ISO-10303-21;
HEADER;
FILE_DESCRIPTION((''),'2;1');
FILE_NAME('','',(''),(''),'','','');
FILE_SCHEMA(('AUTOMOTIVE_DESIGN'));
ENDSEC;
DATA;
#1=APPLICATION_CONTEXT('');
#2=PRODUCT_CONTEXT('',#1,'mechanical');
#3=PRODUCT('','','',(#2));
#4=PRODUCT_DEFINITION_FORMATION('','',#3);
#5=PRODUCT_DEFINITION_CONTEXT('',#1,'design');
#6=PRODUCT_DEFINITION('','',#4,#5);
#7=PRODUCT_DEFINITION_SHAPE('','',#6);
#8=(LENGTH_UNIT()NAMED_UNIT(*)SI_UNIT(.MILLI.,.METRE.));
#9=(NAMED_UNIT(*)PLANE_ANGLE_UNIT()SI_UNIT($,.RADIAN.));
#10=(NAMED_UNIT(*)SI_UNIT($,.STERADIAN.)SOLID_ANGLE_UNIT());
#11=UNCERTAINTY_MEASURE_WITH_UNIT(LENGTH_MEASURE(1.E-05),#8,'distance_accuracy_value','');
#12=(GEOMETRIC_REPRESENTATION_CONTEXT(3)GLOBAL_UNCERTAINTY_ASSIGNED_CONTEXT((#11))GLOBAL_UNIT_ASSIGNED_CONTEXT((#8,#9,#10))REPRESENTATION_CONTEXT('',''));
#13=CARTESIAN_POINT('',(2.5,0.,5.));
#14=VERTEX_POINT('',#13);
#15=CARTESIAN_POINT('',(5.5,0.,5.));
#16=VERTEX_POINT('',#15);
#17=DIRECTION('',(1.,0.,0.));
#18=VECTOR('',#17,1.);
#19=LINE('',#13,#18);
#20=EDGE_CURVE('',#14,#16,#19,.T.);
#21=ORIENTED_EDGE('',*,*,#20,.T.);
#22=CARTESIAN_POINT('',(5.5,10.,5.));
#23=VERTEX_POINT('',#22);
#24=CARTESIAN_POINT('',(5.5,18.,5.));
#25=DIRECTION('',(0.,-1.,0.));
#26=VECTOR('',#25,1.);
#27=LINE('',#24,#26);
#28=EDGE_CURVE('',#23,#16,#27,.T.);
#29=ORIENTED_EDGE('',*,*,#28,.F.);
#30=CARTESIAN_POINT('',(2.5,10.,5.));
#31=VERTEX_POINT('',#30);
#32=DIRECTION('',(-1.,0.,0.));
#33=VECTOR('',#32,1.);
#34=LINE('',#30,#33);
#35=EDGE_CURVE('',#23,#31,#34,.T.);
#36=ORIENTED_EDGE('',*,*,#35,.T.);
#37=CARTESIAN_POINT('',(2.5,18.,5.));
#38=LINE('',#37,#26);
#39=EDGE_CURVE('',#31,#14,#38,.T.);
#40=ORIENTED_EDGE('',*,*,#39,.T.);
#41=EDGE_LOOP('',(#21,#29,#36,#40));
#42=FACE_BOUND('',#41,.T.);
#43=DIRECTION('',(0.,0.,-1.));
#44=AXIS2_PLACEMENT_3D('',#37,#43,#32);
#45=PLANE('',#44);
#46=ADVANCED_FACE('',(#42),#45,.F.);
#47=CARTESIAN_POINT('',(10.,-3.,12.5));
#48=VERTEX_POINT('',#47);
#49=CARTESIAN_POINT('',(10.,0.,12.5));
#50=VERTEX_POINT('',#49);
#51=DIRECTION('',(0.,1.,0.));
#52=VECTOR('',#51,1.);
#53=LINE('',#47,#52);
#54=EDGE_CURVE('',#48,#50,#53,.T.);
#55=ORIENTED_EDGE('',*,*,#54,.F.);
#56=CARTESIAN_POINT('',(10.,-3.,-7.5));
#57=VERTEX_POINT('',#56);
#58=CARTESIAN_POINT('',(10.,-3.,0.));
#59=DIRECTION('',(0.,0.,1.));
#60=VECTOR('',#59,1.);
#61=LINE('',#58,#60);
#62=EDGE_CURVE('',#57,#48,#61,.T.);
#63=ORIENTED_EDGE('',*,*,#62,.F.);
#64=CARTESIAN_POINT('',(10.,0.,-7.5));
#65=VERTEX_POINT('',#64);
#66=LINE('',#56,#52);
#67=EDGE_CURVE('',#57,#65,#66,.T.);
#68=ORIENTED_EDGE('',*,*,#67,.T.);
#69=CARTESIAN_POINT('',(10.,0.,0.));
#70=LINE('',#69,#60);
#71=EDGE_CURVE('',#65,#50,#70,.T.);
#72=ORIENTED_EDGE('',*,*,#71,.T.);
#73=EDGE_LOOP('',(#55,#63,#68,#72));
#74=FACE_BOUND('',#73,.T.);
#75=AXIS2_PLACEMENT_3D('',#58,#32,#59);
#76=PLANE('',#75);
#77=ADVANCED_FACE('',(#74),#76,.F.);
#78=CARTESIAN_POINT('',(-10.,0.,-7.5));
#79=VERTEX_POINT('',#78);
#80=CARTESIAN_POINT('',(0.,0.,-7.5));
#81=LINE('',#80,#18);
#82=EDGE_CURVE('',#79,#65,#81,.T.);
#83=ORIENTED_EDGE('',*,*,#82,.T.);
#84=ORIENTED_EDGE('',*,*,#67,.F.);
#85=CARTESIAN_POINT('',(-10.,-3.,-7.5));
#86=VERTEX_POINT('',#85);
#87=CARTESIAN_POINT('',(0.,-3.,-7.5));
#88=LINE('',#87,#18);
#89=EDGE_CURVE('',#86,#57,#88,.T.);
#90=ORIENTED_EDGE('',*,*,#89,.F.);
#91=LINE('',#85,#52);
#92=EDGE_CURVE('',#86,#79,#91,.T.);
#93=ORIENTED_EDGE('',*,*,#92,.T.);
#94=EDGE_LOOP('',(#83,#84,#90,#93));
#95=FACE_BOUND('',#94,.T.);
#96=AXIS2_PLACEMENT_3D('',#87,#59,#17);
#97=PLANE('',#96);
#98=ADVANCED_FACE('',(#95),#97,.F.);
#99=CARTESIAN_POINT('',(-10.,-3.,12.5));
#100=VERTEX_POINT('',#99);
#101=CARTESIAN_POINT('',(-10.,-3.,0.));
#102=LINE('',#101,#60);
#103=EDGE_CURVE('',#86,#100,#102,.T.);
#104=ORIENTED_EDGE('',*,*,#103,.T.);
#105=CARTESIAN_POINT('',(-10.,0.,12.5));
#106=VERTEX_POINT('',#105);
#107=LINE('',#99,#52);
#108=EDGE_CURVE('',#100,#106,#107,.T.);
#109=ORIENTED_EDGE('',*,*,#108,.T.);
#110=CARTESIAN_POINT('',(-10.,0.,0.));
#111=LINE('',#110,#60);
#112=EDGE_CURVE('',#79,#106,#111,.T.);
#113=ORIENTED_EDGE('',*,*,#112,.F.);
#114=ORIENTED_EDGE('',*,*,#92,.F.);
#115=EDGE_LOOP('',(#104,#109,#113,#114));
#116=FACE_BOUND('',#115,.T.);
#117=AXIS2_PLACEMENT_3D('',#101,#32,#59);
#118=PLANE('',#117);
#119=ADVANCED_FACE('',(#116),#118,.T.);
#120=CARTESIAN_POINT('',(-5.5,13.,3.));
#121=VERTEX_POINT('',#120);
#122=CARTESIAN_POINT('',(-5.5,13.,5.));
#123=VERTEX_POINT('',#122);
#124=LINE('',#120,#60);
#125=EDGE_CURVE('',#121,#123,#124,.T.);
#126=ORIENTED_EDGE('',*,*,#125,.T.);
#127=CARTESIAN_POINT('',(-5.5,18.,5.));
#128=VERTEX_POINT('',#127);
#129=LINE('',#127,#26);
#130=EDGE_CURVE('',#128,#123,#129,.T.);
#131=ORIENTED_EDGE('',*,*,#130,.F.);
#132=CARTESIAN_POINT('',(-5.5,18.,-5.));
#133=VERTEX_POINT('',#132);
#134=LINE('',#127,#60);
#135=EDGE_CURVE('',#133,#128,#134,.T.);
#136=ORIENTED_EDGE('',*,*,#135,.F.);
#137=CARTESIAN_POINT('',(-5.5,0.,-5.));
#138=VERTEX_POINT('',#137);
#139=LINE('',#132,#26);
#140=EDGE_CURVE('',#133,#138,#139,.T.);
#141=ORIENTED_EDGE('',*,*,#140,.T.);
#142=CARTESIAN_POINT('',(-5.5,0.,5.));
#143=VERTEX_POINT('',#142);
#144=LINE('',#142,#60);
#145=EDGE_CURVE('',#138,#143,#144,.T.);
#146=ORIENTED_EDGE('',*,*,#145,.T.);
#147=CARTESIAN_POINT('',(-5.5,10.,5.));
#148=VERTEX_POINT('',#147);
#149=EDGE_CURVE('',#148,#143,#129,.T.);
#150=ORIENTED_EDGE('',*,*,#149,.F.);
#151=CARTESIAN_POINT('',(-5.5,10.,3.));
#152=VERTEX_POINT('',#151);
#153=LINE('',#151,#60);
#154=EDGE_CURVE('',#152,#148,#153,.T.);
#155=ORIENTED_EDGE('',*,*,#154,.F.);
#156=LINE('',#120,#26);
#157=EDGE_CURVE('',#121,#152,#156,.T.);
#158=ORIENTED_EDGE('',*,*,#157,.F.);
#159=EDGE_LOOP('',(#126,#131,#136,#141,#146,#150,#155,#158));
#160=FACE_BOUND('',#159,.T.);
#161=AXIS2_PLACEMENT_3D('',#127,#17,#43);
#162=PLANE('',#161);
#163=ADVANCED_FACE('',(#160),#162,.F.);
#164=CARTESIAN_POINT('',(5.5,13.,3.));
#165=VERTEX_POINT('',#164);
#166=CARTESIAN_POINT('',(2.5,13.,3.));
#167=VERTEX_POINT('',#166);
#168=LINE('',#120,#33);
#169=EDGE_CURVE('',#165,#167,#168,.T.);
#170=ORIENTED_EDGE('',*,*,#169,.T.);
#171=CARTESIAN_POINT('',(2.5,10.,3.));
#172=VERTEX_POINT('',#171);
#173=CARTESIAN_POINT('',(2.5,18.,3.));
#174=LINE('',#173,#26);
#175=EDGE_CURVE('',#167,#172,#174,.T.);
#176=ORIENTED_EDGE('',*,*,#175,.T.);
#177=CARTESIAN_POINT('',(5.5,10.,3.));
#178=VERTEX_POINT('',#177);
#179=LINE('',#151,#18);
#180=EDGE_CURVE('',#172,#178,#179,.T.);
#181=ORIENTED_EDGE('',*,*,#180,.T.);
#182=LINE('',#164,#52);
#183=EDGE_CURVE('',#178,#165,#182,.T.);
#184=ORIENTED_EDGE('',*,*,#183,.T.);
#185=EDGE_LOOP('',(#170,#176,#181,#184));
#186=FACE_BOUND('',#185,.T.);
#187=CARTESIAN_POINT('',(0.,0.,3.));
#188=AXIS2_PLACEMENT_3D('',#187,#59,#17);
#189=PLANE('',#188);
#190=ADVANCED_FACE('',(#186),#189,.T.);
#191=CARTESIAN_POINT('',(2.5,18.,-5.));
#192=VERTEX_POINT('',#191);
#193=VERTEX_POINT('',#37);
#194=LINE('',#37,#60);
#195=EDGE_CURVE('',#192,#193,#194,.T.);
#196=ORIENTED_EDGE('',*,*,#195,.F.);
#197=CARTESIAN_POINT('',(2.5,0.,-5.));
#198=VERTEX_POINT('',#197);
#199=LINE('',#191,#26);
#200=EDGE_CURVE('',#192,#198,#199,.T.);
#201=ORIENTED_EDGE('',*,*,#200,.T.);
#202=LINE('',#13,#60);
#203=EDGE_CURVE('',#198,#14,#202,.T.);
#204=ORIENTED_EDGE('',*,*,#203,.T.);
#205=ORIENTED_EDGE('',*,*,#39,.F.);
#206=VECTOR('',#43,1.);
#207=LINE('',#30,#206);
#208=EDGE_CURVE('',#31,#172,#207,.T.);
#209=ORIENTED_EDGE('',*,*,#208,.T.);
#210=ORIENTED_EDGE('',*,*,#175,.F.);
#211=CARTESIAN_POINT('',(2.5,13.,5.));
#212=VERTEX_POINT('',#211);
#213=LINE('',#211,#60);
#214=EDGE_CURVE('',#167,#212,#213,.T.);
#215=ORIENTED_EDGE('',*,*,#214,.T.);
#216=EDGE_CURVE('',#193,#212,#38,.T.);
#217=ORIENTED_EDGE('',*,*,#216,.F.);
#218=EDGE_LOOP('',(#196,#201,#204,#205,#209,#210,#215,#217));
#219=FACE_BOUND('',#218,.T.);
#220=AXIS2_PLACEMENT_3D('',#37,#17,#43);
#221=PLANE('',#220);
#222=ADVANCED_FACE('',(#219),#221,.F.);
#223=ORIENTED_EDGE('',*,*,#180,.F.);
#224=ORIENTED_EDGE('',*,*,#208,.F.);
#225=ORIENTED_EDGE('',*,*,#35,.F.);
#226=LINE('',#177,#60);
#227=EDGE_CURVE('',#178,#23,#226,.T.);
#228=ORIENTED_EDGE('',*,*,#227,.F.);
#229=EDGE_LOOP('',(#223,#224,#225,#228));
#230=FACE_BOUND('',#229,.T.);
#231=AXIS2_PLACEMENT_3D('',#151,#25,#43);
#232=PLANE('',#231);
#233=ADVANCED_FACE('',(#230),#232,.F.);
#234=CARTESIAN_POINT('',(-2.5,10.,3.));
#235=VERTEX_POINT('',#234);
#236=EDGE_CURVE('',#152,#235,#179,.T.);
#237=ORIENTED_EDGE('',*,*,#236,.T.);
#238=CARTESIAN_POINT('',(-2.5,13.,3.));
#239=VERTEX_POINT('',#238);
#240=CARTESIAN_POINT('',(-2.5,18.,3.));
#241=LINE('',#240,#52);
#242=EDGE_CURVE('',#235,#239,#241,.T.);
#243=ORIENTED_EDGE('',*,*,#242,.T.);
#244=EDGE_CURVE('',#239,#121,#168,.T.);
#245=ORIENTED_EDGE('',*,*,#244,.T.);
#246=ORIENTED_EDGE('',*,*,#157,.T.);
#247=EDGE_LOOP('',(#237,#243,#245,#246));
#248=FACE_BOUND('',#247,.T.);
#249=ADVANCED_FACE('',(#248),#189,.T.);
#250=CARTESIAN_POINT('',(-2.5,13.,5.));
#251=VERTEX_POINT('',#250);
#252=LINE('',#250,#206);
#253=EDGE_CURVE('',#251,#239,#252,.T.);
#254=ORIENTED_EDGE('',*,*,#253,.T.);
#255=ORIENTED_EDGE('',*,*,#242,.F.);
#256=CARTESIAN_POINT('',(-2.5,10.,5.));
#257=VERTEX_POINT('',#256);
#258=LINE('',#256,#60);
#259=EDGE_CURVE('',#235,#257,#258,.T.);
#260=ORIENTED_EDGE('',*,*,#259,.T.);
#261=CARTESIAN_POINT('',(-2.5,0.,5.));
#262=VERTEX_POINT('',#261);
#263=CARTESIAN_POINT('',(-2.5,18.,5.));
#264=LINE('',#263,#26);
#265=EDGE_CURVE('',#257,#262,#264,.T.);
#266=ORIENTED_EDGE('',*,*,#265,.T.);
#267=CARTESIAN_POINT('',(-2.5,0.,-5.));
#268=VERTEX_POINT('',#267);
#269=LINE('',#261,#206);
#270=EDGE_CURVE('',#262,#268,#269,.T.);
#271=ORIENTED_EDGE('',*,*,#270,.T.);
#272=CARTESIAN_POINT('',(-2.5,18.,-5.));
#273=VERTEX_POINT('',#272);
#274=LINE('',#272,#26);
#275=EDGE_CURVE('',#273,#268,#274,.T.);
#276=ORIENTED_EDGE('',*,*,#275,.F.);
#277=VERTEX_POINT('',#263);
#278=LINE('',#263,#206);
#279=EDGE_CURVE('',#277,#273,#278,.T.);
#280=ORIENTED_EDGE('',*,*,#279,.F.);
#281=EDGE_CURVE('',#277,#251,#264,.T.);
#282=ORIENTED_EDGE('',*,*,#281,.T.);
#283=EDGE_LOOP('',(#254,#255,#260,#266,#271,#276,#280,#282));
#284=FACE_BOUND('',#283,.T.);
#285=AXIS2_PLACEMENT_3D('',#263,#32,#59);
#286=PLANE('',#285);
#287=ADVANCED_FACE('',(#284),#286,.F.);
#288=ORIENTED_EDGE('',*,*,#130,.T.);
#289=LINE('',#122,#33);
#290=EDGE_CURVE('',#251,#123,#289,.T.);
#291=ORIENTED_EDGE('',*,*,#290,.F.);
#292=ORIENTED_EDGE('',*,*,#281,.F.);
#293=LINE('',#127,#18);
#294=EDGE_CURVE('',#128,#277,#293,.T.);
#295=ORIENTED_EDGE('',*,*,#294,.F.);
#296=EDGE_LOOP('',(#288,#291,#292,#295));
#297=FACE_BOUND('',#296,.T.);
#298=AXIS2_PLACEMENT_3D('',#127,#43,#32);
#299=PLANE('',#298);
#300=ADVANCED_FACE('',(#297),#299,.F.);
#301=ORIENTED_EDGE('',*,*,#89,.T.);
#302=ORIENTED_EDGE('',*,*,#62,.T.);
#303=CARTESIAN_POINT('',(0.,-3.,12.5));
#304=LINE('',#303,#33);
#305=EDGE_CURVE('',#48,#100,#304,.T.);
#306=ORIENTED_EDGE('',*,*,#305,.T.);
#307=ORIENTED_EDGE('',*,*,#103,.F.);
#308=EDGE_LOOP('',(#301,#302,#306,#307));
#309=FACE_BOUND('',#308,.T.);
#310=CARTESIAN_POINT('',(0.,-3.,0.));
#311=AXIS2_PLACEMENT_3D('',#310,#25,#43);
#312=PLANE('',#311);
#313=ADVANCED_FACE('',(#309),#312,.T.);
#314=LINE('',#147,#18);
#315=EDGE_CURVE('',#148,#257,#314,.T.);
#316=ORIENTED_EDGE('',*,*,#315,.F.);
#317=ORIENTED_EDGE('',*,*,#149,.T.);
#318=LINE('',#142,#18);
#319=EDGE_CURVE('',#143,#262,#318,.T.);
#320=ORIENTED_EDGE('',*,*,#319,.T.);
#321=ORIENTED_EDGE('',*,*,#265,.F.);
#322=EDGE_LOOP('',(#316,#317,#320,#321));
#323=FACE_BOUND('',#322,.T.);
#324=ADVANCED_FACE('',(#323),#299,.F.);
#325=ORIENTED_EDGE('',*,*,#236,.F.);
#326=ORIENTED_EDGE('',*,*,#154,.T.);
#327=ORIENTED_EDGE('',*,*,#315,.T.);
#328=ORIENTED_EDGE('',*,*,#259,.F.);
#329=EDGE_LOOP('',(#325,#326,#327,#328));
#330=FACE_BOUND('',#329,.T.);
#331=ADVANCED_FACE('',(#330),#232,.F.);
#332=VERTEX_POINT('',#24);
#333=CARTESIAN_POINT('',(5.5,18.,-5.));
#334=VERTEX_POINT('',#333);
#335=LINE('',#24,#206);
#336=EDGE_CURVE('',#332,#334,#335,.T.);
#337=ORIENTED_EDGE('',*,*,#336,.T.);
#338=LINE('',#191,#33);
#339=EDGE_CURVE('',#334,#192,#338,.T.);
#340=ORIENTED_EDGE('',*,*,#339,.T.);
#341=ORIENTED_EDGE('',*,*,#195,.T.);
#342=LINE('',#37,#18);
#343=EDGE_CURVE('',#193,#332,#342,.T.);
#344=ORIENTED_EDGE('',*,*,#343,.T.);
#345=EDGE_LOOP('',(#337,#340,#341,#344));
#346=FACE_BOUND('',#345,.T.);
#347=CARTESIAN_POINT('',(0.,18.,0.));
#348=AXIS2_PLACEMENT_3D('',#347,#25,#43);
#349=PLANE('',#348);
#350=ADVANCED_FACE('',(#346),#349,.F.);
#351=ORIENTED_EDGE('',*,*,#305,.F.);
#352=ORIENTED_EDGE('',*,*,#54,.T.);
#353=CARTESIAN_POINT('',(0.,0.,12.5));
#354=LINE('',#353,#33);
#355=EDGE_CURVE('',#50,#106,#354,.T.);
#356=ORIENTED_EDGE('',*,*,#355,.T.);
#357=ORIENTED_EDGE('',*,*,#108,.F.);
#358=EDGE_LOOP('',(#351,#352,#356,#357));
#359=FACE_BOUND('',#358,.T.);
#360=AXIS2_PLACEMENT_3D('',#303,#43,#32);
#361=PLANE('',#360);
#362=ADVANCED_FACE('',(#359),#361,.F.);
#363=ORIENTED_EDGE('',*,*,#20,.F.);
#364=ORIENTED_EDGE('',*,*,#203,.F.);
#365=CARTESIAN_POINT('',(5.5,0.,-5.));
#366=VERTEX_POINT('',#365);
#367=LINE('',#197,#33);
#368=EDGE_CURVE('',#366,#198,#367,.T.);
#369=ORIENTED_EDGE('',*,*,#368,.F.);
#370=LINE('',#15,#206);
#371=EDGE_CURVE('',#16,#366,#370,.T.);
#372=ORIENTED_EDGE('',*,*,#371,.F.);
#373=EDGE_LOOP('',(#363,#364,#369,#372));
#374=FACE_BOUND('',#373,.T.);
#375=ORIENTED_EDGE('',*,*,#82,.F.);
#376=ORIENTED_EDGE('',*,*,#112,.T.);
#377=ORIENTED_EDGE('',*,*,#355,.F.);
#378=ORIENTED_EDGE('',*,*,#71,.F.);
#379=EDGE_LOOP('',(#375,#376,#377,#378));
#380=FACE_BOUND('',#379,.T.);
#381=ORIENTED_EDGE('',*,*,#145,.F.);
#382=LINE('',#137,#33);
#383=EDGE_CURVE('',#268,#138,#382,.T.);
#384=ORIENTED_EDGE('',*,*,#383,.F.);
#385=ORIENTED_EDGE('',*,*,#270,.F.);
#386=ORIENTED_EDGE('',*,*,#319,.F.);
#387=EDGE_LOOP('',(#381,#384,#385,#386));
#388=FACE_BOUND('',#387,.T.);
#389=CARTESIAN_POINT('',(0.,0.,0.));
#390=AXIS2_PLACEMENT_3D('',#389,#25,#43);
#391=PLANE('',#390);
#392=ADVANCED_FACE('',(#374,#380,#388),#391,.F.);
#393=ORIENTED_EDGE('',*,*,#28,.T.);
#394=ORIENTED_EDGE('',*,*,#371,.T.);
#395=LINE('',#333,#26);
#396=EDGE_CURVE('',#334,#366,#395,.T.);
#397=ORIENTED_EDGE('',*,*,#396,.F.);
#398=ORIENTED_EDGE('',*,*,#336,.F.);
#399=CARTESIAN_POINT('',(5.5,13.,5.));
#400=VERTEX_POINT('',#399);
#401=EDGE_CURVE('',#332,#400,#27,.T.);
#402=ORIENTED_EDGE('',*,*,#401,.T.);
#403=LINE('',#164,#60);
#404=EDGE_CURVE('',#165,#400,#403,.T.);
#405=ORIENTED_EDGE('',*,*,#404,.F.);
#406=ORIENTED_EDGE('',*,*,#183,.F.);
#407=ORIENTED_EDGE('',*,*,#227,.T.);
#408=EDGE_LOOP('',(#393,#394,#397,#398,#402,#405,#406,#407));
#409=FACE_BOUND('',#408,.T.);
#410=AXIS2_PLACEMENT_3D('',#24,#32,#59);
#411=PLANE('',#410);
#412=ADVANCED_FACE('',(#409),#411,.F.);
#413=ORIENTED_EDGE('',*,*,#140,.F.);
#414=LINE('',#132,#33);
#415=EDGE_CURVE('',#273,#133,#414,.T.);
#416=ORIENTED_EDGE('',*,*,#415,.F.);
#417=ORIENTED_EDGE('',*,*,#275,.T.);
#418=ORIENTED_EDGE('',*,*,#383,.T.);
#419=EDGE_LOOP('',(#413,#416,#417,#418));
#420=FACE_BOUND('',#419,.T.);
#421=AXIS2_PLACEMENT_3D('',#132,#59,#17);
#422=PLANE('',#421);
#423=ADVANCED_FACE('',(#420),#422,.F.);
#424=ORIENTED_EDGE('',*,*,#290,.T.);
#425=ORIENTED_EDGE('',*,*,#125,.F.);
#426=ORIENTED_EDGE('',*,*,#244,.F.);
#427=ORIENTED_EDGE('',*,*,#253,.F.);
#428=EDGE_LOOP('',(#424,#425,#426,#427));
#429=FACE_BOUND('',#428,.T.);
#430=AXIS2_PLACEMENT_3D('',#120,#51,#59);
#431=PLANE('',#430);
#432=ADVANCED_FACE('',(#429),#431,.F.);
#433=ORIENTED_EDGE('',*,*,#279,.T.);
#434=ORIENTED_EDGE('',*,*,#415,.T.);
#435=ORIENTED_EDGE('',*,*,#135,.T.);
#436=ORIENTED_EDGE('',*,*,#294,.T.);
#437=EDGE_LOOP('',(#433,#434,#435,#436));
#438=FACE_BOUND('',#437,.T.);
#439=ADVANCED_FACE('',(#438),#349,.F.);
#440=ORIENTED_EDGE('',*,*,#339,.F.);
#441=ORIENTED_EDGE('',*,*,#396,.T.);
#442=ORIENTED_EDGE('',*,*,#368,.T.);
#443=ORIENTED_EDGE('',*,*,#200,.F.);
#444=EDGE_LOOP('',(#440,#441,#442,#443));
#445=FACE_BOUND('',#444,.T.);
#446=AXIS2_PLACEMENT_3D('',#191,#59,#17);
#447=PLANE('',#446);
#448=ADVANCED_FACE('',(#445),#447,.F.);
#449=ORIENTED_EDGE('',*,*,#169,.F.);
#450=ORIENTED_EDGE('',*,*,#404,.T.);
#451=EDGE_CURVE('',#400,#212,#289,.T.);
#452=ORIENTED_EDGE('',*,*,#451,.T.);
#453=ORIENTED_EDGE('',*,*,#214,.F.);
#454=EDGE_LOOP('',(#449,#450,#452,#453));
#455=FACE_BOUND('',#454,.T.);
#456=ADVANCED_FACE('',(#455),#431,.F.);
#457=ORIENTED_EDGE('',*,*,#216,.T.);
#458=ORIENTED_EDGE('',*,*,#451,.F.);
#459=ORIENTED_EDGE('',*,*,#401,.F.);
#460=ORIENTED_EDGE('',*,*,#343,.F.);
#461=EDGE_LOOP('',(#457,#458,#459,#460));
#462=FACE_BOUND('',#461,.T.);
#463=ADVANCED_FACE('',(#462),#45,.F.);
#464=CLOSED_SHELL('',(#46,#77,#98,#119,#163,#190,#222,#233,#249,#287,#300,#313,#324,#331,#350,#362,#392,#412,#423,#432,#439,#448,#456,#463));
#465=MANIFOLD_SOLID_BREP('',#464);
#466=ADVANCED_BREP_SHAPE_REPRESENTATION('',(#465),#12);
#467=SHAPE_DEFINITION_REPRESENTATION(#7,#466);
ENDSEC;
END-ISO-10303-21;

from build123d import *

# Parameters (mm, degrees)
SKETCH1_W             = 3
SKETCH1_H             = 10
BOSS_EXTRUDE1_DEPTH   = 18
BOSS_EXTRUDE1_2_DEPTH = 18
SKETCH2_W             = 20
SKETCH2_H             = 5
SKETCH2_H_2           = 15
BOSS_EXTRUDE2_DEPTH   = 3
SKETCH3_W             = 11
SKETCH3_H             = 3
CUT_EXTRUDE1_DEPTH    = 2


with BuildPart() as part:
    # Sketch1 → Boss-Extrude1 (new body)
    with BuildSketch(Plane(origin=(0, 0, 0), x_dir=(1, 0, 0), z_dir=(0, 1, 0))):
        with Locations((-4, 0)):
            Rectangle(SKETCH1_W, SKETCH1_H)
    extrude(amount=BOSS_EXTRUDE1_DEPTH)



with BuildPart() as body_2:
    # Sketch1 → Boss-Extrude1 2 (new body)
    with BuildSketch(Plane(origin=(0, 0, 0), x_dir=(1, 0, 0), z_dir=(0, 1, 0))):
        with Locations((4, 0)):
            Rectangle(SKETCH1_W, SKETCH1_H)
    extrude(amount=BOSS_EXTRUDE1_2_DEPTH)


with BuildPart() as part_1:
    add(part.part)

    add(body_2.part)  # Boss-Extrude2 merges body 2
    # Sketch2 → Boss-Extrude2 (add)
    with BuildSketch(Plane.XZ):
        with Locations((0, 10)):
            Rectangle(SKETCH2_W, SKETCH2_H)
        Rectangle(SKETCH2_W, SKETCH2_H_2)
    extrude(amount=BOSS_EXTRUDE2_DEPTH)

    # Sketch3 → Cut-Extrude1 (cut)
    with BuildSketch(Plane.XY.offset(5)):
        with Locations((0, 11.5)):
            Rectangle(SKETCH3_W, SKETCH3_H)
    extrude(amount=-CUT_EXTRUDE1_DEPTH, mode=Mode.SUBTRACT)


solid = part_1.part
